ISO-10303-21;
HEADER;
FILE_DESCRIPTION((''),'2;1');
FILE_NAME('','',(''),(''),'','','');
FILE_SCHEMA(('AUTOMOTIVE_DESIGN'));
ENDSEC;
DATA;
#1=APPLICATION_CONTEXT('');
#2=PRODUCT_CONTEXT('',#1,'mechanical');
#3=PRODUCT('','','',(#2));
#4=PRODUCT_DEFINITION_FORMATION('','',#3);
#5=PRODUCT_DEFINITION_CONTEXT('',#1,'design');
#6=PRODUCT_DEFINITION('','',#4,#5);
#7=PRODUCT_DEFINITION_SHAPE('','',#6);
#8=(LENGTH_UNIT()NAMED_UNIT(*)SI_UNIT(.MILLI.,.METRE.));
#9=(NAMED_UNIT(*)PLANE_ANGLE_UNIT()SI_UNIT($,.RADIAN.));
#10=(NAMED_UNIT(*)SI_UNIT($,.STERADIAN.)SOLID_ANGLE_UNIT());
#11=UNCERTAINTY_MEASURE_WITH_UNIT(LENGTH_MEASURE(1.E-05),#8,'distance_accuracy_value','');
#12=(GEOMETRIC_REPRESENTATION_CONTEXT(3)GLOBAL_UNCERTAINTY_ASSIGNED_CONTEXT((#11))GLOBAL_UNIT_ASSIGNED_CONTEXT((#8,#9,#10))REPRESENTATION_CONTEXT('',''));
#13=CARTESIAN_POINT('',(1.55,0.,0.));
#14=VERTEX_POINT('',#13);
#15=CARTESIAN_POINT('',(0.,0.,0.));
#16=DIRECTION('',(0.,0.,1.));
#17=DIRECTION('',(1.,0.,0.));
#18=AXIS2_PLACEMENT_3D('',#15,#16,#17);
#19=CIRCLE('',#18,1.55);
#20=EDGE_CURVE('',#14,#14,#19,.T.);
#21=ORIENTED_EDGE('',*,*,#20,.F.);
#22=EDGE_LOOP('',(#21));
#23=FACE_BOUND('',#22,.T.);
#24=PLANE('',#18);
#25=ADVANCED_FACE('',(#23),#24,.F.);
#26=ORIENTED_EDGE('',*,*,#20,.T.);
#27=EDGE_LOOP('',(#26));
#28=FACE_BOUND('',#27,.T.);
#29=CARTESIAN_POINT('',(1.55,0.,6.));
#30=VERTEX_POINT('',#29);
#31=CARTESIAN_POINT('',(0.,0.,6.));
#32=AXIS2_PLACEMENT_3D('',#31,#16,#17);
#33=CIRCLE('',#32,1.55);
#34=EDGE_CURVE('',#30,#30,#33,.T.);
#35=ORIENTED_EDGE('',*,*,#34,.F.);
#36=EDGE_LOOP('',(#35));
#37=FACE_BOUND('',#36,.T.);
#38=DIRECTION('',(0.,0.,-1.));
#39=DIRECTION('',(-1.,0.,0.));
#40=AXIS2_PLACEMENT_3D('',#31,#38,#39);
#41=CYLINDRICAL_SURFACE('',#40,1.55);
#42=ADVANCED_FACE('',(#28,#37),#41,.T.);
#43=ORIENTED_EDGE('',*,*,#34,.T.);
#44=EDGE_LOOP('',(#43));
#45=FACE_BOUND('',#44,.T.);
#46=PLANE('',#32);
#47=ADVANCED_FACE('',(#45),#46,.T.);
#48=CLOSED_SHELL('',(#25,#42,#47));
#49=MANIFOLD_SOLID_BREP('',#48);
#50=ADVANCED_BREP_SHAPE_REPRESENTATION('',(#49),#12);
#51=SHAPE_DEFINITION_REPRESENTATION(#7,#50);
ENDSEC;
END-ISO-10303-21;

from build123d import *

# Parameters (mm, degrees)
CROQUIS1_R              = 1.55
SALIENTE_EXTRUIR1_DEPTH = 6


with BuildPart() as part:
    # Croquis1 → Saliente-Extruir1 (new body)
    with BuildSketch(Plane.XY):
        Circle(CROQUIS1_R)
    extrude(amount=SALIENTE_EXTRUIR1_DEPTH)


solid = part.part
